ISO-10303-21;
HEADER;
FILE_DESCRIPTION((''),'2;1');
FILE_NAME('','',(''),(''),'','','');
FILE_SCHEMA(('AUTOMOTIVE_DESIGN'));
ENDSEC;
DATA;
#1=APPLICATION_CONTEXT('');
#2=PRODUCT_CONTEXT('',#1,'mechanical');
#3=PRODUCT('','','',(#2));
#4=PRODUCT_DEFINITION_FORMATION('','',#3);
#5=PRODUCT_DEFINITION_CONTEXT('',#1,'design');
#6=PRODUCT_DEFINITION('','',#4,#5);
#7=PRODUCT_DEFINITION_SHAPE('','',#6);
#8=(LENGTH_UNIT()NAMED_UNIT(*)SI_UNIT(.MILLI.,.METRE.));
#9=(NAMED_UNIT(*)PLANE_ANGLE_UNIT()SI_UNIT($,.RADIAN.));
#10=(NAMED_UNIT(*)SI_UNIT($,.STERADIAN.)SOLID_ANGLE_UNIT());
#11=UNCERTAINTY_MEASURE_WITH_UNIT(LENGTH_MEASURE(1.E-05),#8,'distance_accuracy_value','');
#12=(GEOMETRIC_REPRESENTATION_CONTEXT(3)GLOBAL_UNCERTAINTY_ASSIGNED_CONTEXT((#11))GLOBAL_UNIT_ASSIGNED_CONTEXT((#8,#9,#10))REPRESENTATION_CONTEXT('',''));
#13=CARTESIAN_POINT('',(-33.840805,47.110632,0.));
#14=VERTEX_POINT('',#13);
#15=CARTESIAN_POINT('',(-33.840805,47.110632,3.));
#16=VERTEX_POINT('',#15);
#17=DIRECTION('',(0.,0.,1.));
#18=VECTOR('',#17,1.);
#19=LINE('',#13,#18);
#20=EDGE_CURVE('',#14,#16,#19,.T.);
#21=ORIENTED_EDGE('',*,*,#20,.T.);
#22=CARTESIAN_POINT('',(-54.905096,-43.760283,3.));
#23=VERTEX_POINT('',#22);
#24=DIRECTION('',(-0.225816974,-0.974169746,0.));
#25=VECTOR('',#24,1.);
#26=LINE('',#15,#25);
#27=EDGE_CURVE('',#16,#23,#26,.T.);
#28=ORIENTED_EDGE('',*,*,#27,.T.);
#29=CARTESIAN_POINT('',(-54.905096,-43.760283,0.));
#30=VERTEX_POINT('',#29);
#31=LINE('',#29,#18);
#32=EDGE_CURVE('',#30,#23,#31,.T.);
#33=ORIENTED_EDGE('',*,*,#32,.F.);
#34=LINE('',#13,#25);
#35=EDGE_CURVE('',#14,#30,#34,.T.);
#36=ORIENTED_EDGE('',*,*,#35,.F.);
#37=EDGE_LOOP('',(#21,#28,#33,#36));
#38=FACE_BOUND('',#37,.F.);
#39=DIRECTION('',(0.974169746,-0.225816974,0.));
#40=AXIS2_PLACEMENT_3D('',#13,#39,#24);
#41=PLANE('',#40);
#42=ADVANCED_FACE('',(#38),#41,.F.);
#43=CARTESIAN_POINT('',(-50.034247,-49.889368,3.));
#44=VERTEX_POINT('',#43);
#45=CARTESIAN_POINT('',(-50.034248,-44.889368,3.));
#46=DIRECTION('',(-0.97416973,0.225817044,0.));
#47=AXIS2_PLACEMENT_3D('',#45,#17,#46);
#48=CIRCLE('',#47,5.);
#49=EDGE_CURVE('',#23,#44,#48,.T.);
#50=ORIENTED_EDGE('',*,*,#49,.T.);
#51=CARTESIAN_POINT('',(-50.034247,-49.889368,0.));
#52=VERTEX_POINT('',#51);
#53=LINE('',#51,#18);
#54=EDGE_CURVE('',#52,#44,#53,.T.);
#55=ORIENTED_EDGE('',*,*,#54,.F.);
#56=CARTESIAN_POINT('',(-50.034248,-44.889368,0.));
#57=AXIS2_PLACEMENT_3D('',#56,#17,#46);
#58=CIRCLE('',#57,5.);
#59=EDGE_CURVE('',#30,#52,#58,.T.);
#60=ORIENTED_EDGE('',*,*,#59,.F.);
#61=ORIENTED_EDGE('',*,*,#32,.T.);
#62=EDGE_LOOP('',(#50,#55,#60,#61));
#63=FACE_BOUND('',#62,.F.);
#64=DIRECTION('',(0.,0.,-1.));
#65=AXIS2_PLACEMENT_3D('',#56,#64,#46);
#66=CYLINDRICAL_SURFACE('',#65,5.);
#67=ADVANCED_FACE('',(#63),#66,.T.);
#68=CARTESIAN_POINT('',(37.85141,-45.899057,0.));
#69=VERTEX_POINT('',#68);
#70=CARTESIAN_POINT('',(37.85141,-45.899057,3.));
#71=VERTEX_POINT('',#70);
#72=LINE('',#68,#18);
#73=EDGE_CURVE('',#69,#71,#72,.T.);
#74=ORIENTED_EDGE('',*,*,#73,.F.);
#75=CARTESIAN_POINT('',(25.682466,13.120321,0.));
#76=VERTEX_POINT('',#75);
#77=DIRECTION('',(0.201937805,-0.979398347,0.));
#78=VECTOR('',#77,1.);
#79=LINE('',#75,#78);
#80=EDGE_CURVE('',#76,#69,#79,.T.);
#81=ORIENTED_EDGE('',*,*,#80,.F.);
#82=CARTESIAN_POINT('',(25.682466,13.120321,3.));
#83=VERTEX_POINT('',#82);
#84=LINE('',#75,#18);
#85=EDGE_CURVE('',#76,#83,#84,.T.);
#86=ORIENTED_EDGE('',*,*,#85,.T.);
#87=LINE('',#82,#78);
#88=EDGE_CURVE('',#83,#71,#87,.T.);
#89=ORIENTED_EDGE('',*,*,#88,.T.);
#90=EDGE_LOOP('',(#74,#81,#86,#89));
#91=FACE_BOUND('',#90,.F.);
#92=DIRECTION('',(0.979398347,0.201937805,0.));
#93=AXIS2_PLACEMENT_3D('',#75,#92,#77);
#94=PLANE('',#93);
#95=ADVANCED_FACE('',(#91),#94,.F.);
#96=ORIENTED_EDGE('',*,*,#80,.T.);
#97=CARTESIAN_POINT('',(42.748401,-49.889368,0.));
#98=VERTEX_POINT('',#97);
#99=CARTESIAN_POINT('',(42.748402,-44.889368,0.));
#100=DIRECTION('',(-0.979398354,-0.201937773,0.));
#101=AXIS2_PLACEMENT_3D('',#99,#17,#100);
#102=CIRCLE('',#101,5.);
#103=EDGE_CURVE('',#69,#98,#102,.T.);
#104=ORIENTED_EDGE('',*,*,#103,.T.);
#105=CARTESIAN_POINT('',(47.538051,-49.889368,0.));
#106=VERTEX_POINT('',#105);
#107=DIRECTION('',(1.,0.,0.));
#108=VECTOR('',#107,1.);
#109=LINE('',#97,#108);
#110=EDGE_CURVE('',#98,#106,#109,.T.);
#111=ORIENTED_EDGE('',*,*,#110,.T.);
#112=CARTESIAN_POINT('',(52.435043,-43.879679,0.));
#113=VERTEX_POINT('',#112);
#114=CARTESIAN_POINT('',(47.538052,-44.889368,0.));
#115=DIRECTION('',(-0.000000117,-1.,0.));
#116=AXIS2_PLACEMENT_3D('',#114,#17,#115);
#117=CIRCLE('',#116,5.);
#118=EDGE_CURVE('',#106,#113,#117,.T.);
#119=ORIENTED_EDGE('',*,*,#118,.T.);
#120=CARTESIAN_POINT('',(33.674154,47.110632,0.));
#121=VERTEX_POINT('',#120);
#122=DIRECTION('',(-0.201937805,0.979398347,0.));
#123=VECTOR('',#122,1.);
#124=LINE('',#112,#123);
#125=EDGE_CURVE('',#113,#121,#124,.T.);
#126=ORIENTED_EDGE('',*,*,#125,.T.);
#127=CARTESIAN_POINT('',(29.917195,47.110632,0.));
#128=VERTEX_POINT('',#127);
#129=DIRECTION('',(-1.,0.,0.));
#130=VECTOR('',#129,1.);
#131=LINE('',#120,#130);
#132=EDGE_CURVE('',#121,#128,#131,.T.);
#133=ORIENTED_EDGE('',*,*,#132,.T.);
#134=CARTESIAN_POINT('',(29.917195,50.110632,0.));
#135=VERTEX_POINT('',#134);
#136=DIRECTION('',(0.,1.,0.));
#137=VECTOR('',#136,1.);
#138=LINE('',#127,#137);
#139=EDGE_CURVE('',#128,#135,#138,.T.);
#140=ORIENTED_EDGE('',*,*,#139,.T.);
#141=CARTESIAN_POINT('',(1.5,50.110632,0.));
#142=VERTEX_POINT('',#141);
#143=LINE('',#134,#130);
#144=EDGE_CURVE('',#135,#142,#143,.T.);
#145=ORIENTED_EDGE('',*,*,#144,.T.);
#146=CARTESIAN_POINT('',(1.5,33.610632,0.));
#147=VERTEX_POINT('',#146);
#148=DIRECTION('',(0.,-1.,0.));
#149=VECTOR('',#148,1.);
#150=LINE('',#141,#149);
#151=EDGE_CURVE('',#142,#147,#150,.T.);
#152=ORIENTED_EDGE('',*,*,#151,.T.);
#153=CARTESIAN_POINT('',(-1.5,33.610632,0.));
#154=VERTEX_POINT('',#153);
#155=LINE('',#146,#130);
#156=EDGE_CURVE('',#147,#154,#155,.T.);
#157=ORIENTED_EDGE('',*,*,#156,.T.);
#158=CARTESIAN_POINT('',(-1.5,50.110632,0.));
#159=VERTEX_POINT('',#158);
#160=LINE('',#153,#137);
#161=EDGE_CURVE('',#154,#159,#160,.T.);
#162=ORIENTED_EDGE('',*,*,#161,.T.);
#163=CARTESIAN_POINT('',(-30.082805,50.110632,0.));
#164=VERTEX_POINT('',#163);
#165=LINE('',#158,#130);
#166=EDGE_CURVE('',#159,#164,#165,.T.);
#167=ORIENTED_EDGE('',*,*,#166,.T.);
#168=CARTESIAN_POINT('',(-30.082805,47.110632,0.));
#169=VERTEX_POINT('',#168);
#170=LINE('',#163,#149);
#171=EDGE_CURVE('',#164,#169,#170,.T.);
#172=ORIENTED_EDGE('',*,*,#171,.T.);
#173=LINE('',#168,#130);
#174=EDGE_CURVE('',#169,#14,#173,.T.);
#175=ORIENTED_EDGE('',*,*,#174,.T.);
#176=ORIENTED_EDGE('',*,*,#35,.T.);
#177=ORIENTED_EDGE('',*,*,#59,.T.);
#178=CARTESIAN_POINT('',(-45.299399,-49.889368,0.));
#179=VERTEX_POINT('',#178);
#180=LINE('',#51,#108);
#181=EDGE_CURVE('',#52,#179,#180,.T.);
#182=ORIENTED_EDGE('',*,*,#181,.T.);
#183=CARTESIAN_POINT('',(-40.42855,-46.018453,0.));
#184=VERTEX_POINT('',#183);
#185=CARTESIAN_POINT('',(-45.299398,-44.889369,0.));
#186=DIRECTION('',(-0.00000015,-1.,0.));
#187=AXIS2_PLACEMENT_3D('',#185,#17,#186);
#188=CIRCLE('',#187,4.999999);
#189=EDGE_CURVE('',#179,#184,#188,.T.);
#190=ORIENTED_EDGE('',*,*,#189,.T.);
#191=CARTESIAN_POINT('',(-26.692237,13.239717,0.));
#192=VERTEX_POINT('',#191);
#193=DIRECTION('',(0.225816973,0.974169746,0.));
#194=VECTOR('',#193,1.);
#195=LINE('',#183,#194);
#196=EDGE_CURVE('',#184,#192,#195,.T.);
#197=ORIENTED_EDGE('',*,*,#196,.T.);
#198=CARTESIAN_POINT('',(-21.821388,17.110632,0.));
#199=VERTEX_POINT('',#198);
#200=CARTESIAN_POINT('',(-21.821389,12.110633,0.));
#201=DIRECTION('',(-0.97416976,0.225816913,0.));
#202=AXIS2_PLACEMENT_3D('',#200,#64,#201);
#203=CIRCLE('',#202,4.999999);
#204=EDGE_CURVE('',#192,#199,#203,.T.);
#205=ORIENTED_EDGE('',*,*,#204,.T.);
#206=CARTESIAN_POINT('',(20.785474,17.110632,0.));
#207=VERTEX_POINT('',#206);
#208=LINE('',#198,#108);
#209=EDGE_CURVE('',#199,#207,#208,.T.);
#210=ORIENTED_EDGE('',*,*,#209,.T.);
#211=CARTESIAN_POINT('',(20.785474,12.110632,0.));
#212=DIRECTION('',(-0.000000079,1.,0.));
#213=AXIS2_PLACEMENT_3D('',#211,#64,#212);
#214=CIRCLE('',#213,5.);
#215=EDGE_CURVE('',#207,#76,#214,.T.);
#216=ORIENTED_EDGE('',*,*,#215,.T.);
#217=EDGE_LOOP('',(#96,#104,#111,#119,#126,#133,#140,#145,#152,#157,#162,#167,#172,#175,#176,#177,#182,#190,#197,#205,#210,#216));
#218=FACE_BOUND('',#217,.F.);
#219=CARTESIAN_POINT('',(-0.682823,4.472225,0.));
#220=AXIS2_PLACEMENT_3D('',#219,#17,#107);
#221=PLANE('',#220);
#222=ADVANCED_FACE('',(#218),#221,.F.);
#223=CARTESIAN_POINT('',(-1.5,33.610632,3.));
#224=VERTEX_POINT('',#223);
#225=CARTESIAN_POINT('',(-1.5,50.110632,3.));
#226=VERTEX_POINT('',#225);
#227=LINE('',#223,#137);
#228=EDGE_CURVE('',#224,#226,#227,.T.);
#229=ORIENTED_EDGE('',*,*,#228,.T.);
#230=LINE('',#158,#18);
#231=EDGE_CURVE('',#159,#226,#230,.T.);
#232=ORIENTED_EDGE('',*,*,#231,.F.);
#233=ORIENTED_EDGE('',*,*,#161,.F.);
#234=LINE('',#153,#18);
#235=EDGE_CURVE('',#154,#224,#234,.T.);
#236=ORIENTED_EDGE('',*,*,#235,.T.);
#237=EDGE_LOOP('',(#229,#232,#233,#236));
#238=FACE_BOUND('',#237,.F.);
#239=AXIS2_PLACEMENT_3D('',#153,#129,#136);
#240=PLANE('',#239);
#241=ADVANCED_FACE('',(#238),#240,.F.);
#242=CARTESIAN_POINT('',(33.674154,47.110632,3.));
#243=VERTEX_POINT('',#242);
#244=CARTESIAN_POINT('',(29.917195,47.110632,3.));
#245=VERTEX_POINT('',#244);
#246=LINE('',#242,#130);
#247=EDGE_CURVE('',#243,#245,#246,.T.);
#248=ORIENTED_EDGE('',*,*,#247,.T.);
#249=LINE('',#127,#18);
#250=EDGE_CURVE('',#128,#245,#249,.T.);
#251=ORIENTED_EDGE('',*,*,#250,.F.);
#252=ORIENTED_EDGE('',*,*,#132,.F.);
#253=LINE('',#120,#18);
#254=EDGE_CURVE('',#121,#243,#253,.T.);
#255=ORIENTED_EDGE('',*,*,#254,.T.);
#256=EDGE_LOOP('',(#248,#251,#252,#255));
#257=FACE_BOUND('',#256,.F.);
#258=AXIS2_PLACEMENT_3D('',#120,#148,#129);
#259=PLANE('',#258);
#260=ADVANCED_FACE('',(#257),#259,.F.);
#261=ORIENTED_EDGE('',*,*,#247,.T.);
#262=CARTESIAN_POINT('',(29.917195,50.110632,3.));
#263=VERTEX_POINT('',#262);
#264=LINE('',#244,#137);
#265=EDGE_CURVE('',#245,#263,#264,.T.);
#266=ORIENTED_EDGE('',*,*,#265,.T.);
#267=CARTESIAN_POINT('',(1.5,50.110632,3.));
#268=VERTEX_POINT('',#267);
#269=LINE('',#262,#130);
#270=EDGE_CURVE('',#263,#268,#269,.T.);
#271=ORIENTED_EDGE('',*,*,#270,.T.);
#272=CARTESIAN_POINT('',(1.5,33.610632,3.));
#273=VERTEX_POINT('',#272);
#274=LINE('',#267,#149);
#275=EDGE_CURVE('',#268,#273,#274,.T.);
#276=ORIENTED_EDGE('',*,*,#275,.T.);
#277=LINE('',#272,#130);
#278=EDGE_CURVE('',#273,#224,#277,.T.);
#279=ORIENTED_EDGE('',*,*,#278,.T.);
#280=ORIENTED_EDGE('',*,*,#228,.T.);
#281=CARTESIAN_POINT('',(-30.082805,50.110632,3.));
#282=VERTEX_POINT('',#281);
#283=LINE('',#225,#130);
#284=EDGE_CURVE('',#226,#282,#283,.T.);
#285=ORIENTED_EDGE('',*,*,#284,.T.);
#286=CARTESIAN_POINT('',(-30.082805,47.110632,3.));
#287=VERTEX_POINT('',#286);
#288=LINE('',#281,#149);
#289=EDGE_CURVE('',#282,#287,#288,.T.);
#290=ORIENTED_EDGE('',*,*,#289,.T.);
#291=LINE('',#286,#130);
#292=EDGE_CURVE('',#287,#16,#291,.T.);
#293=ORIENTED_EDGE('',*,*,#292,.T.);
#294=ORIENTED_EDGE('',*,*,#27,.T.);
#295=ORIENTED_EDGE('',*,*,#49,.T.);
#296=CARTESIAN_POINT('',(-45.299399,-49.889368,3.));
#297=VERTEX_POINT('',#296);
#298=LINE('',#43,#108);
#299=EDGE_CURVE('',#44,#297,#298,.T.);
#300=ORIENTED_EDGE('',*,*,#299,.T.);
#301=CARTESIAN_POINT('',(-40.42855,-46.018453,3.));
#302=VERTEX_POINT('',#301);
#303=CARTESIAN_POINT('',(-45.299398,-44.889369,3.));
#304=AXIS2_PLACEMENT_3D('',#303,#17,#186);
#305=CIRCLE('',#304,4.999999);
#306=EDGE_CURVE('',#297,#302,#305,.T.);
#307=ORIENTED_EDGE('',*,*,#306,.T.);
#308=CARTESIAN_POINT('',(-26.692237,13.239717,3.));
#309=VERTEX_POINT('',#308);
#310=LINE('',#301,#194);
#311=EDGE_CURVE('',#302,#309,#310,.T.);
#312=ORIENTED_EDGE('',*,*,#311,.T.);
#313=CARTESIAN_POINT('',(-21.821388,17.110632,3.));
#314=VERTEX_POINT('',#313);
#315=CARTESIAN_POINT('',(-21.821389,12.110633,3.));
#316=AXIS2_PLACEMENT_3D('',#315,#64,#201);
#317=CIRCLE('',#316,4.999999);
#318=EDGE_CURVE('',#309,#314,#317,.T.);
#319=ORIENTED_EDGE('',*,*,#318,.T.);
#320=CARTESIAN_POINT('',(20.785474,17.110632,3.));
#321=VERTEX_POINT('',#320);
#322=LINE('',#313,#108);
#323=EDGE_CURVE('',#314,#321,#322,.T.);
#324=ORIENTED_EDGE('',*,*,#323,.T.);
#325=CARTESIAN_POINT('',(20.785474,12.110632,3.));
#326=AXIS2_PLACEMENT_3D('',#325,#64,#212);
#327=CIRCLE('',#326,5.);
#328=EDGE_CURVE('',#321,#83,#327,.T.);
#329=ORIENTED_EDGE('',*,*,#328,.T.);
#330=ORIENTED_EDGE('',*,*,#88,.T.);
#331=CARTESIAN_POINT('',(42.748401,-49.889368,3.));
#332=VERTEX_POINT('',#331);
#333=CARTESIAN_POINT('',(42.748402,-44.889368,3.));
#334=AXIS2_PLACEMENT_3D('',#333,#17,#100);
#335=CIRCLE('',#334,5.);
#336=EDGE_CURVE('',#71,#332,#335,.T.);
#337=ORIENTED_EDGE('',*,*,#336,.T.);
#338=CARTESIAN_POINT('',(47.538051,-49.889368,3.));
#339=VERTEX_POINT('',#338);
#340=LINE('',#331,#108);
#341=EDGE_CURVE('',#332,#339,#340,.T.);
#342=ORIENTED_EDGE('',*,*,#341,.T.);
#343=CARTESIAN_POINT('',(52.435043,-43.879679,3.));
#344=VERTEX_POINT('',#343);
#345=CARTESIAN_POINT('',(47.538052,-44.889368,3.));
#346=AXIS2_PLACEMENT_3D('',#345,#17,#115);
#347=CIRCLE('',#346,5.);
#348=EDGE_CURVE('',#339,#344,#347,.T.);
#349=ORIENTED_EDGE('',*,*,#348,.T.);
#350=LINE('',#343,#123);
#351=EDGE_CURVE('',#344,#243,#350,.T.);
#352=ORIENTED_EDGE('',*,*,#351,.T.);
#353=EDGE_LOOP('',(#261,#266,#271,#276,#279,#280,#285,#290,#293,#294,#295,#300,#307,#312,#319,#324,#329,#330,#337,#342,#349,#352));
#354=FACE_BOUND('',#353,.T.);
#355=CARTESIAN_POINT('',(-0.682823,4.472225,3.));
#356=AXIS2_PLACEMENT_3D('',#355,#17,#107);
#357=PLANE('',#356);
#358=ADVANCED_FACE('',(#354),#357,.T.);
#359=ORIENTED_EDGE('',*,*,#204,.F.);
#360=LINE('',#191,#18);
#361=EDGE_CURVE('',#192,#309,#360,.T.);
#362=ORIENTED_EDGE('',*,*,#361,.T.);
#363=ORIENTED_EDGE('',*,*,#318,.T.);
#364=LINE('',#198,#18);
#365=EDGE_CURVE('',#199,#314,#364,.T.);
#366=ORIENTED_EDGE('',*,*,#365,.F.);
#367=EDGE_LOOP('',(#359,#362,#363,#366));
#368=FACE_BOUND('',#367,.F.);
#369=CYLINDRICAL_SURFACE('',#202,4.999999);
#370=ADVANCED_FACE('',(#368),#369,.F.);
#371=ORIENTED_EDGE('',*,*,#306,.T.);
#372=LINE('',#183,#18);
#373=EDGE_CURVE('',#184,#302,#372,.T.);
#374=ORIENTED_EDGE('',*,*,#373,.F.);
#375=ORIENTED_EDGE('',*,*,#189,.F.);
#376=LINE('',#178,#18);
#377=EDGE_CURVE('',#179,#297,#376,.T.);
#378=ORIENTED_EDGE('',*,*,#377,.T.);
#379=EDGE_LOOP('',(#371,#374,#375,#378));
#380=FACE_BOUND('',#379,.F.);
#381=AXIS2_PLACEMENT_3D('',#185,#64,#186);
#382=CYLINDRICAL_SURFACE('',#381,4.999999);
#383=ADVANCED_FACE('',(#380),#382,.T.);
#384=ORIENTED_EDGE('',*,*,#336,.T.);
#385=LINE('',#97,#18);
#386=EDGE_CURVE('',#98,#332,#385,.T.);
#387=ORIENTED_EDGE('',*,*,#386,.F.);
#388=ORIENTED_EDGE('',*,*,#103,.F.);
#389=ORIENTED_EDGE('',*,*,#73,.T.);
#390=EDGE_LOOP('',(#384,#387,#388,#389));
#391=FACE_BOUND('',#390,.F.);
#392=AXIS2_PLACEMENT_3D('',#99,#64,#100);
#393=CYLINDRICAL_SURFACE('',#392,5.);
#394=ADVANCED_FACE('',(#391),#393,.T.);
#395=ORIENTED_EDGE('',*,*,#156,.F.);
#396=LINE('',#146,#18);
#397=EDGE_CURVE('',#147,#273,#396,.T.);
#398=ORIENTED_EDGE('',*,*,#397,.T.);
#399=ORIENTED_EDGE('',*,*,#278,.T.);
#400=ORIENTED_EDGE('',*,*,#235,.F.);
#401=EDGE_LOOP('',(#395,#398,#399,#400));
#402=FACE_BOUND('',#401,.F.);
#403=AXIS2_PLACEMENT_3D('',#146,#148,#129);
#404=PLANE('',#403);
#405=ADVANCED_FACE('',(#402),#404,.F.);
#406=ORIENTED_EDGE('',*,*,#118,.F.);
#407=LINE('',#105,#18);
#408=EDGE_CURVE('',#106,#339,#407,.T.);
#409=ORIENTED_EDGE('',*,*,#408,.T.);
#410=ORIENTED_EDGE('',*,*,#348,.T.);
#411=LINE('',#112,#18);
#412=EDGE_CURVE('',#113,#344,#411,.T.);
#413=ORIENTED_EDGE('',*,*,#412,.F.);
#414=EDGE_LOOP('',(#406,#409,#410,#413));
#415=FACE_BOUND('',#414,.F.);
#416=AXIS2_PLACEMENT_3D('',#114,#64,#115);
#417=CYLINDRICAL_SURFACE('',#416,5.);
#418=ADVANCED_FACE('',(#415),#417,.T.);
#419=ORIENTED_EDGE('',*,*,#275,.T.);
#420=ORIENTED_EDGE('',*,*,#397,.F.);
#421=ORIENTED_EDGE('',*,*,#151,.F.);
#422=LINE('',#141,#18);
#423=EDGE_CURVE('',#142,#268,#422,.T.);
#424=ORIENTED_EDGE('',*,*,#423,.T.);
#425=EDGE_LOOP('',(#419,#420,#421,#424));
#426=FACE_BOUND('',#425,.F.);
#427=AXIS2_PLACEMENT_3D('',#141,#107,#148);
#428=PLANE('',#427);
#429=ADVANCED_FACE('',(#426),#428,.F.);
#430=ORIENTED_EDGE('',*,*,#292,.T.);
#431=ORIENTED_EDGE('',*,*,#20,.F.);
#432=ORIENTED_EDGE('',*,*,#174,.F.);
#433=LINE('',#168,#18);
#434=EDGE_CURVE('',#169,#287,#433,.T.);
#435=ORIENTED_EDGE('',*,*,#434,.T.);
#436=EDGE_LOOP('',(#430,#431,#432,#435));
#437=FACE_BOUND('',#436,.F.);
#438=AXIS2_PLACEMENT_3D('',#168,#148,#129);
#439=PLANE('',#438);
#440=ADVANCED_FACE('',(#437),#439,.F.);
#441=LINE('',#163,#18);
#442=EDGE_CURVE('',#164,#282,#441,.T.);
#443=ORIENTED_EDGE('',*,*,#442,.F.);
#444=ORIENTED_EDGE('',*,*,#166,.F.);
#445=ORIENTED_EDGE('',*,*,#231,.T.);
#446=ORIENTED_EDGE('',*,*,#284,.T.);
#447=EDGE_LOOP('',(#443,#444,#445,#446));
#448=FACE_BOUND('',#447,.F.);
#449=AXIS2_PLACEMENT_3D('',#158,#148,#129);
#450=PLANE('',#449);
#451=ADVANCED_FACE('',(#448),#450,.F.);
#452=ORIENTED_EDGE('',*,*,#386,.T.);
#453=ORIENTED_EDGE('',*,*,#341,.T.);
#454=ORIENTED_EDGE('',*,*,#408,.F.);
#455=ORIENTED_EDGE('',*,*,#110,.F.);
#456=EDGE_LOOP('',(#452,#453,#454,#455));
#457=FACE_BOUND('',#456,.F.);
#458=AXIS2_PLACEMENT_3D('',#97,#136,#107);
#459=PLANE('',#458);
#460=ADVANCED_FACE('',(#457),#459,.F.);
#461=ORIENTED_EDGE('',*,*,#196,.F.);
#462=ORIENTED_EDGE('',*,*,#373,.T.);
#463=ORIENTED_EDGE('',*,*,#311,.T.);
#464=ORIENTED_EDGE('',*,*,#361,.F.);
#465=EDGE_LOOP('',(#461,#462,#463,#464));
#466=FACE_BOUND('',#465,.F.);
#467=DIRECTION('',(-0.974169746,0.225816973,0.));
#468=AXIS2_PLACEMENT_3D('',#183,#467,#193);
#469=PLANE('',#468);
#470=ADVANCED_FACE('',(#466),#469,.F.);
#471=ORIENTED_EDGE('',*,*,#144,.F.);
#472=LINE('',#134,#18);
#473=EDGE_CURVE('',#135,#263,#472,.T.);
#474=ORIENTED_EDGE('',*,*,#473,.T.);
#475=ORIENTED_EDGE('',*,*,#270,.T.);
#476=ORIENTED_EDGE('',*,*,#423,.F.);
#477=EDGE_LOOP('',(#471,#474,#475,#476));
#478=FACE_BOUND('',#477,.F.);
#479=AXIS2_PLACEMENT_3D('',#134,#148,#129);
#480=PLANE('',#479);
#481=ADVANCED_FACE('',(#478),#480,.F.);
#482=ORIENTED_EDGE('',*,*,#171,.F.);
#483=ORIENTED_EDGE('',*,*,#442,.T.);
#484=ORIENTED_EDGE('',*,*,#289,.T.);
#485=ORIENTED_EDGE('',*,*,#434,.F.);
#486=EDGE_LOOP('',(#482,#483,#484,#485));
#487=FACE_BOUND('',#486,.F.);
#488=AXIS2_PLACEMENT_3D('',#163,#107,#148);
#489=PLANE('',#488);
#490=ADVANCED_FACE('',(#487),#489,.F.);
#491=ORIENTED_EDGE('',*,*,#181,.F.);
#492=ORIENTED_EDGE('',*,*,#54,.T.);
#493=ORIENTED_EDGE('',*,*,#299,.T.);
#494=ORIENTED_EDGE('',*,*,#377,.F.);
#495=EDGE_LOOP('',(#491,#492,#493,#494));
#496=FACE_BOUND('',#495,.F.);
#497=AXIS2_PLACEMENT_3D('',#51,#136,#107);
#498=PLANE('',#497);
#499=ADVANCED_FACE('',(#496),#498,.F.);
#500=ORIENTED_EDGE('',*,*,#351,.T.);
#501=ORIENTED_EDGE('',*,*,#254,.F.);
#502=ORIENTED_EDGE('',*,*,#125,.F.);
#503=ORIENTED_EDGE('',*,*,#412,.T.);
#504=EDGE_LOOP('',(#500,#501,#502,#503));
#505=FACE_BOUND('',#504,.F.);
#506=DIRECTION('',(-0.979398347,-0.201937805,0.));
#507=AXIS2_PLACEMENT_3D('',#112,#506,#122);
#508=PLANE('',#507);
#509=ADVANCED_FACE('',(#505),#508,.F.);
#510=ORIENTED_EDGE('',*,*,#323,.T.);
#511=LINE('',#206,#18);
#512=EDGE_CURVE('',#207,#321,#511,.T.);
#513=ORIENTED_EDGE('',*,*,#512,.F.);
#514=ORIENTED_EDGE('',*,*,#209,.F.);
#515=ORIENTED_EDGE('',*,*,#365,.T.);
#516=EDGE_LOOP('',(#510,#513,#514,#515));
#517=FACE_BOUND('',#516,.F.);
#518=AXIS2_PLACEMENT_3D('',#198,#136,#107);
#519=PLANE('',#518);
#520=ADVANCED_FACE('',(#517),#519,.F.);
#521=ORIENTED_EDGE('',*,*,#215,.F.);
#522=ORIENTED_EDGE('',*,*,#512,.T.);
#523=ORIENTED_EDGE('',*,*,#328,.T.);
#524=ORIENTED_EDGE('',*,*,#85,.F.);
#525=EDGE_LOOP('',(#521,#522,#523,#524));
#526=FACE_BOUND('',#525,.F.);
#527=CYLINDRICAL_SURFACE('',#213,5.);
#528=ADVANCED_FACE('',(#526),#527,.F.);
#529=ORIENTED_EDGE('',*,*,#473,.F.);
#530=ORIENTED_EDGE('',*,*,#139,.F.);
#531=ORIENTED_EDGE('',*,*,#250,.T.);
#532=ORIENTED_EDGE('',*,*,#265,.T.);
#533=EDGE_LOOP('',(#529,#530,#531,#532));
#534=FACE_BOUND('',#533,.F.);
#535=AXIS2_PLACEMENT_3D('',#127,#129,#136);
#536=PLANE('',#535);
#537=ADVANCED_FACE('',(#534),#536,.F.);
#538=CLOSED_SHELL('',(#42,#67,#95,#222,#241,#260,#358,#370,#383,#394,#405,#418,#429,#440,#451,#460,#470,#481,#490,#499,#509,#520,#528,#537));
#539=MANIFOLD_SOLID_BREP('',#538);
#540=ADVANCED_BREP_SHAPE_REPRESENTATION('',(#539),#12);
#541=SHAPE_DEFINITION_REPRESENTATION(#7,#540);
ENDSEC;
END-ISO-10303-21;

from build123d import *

# Parameters (mm, degrees)
F1_DEPTH = 3


with BuildPart() as f1:
    # F0 (on Top) → F1 (new body)
    with BuildSketch(Plane.XY):
        with BuildLine():
            Line((-1.5, 50.110632), (-30.082805, 50.110632))
            Line((-30.082805, 50.110632), (-30.082805, 47.110632))
            Line((-30.082805, 47.110632), (-33.840805, 47.110632))
            Line((-33.840805, 47.110632), (-54.905096, -43.760283))
            ThreePointArc((-54.905096, -43.760283), (-53.948671, -48.000202), (-50.034247, -49.889368))
            Line((-50.034247, -49.889368), (-45.299399, -49.889368))
            ThreePointArc((-45.299399, -49.889368), (-42.188565, -48.803792), (-40.42855, -46.018453))
            Line((-40.42855, -46.018453), (-26.692237, 13.239717))
            ThreePointArc((-26.692237, 13.239717), (-24.932222, 16.025056), (-21.821388, 17.110632))
            Line((-21.821388, 17.110632), (20.785474, 17.110632))
            ThreePointArc((20.785474, 17.110632), (23.94392, 15.986741), (25.682466, 13.120321))
            Line((25.682466, 13.120321), (37.85141, -45.899057))
            ThreePointArc((37.85141, -45.899057), (39.589956, -48.765477), (42.748401, -49.889368))
            Line((42.748401, -49.889368), (47.538051, -49.889368))
            ThreePointArc((47.538051, -49.889368), (51.414161, -48.047813), (52.435043, -43.879679))
            Line((52.435043, -43.879679), (33.674154, 47.110632))
            Line((33.674154, 47.110632), (29.917195, 47.110632))
            Line((29.917195, 47.110632), (29.917195, 50.110632))
            Line((29.917195, 50.110632), (1.5, 50.110632))
            Line((1.5, 50.110632), (1.5, 33.610632))
            Line((1.5, 33.610632), (0, 33.610632))
            Line((0, 33.610632), (-1.5, 33.610632))
            Line((-1.5, 33.610632), (-1.5, 50.110632))
        make_face()
    extrude(amount=F1_DEPTH)


solid = f1.part
